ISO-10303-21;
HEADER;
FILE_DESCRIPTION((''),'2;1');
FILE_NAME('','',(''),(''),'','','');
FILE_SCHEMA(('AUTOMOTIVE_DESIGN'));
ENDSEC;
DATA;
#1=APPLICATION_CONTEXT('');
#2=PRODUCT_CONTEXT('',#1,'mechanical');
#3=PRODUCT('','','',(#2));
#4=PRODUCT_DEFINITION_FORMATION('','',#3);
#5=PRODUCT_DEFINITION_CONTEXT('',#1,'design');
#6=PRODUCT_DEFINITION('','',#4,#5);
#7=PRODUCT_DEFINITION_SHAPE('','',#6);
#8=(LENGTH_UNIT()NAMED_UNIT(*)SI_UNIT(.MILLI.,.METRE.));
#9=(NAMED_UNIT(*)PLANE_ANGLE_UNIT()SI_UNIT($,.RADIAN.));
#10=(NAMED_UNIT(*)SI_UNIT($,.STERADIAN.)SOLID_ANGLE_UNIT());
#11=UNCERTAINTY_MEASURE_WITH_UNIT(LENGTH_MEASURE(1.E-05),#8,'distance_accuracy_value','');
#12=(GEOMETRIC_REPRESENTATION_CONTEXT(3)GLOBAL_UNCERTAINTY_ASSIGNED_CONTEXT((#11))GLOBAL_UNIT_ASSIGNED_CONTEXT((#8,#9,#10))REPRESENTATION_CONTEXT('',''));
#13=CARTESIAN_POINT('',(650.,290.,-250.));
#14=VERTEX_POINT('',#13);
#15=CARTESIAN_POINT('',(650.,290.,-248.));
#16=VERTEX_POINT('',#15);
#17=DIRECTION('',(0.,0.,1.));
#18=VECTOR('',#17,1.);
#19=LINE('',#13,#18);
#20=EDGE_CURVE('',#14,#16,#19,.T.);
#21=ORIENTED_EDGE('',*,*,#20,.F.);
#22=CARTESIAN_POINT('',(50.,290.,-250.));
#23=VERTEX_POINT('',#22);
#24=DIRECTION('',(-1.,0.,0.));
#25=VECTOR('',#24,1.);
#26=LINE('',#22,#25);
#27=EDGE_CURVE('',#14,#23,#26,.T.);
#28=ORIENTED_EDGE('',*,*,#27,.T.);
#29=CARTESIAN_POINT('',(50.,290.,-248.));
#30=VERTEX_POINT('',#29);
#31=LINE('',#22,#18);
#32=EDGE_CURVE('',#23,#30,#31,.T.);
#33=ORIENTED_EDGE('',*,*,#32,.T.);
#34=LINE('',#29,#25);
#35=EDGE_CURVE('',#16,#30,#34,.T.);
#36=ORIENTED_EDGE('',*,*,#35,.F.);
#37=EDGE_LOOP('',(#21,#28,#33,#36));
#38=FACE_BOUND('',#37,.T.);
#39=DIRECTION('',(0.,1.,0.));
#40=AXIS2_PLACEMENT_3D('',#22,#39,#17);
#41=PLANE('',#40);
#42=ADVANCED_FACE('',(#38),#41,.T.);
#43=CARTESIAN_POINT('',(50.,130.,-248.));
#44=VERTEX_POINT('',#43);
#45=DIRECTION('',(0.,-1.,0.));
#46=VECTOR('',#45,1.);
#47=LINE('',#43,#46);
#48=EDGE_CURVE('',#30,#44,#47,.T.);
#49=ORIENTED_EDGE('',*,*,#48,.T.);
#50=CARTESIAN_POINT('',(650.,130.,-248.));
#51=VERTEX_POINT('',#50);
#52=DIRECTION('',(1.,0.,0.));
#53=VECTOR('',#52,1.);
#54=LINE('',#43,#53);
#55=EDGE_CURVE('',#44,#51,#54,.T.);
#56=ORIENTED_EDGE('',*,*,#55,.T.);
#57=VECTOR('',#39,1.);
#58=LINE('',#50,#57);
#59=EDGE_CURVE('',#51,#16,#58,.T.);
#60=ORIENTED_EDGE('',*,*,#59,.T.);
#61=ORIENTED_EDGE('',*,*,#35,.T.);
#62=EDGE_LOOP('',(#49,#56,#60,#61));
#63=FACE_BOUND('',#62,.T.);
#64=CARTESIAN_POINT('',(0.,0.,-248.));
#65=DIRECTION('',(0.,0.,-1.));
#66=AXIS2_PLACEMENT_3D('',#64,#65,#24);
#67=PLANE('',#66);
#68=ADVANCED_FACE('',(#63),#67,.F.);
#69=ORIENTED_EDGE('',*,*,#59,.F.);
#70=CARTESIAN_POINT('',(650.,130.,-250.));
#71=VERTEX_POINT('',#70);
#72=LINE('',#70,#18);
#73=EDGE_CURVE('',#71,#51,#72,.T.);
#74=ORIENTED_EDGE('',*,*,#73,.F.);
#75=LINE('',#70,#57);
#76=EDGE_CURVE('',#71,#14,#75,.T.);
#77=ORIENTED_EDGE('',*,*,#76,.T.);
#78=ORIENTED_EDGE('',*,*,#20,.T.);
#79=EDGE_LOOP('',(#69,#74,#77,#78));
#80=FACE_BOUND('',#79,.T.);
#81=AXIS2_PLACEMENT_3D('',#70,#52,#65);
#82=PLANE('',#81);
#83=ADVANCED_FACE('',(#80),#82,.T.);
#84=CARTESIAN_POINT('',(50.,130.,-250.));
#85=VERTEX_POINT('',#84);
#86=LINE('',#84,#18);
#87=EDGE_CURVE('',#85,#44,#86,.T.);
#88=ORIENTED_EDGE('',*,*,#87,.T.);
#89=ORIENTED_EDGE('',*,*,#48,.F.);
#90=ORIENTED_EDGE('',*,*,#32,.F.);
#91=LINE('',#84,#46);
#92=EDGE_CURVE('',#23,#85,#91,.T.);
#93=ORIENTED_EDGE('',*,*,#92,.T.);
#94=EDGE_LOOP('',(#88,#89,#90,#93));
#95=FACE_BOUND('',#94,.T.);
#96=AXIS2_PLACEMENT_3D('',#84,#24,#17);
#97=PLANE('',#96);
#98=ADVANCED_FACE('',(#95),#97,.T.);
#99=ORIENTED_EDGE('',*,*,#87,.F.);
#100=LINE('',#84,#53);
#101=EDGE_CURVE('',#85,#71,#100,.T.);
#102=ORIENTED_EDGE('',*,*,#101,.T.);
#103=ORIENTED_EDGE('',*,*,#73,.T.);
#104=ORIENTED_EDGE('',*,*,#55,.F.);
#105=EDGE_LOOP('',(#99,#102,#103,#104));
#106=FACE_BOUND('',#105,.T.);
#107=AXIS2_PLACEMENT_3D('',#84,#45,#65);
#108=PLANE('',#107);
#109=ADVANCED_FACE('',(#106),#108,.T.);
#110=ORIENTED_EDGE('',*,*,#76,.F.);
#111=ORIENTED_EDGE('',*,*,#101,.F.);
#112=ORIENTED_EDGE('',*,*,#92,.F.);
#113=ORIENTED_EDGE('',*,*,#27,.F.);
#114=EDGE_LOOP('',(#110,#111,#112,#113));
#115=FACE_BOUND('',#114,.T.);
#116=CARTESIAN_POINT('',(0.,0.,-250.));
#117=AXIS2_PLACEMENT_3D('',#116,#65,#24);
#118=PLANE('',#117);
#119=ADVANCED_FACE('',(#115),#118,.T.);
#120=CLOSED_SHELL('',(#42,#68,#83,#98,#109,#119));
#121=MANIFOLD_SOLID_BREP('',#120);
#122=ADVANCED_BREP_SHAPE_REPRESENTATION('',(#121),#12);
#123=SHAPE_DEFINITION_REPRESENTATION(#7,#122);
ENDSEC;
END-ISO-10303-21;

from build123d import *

# Parameters (mm, degrees)
PACK_PANO_PLAKASI_1_START = -248
SKETCH1_W                 = 600
SKETCH1_H                 = 160
PACK_PANO_PLAKASI_1_DEPTH = 2


with BuildPart() as part:
    # Sketch1 → PACK_pano_plakasi_1 (new body)
    with BuildSketch(Plane.XY.offset(PACK_PANO_PLAKASI_1_START)):
        with Locations((350, 210)):
            Rectangle(SKETCH1_W, SKETCH1_H)
    extrude(amount=-PACK_PANO_PLAKASI_1_DEPTH)


solid = part.part
